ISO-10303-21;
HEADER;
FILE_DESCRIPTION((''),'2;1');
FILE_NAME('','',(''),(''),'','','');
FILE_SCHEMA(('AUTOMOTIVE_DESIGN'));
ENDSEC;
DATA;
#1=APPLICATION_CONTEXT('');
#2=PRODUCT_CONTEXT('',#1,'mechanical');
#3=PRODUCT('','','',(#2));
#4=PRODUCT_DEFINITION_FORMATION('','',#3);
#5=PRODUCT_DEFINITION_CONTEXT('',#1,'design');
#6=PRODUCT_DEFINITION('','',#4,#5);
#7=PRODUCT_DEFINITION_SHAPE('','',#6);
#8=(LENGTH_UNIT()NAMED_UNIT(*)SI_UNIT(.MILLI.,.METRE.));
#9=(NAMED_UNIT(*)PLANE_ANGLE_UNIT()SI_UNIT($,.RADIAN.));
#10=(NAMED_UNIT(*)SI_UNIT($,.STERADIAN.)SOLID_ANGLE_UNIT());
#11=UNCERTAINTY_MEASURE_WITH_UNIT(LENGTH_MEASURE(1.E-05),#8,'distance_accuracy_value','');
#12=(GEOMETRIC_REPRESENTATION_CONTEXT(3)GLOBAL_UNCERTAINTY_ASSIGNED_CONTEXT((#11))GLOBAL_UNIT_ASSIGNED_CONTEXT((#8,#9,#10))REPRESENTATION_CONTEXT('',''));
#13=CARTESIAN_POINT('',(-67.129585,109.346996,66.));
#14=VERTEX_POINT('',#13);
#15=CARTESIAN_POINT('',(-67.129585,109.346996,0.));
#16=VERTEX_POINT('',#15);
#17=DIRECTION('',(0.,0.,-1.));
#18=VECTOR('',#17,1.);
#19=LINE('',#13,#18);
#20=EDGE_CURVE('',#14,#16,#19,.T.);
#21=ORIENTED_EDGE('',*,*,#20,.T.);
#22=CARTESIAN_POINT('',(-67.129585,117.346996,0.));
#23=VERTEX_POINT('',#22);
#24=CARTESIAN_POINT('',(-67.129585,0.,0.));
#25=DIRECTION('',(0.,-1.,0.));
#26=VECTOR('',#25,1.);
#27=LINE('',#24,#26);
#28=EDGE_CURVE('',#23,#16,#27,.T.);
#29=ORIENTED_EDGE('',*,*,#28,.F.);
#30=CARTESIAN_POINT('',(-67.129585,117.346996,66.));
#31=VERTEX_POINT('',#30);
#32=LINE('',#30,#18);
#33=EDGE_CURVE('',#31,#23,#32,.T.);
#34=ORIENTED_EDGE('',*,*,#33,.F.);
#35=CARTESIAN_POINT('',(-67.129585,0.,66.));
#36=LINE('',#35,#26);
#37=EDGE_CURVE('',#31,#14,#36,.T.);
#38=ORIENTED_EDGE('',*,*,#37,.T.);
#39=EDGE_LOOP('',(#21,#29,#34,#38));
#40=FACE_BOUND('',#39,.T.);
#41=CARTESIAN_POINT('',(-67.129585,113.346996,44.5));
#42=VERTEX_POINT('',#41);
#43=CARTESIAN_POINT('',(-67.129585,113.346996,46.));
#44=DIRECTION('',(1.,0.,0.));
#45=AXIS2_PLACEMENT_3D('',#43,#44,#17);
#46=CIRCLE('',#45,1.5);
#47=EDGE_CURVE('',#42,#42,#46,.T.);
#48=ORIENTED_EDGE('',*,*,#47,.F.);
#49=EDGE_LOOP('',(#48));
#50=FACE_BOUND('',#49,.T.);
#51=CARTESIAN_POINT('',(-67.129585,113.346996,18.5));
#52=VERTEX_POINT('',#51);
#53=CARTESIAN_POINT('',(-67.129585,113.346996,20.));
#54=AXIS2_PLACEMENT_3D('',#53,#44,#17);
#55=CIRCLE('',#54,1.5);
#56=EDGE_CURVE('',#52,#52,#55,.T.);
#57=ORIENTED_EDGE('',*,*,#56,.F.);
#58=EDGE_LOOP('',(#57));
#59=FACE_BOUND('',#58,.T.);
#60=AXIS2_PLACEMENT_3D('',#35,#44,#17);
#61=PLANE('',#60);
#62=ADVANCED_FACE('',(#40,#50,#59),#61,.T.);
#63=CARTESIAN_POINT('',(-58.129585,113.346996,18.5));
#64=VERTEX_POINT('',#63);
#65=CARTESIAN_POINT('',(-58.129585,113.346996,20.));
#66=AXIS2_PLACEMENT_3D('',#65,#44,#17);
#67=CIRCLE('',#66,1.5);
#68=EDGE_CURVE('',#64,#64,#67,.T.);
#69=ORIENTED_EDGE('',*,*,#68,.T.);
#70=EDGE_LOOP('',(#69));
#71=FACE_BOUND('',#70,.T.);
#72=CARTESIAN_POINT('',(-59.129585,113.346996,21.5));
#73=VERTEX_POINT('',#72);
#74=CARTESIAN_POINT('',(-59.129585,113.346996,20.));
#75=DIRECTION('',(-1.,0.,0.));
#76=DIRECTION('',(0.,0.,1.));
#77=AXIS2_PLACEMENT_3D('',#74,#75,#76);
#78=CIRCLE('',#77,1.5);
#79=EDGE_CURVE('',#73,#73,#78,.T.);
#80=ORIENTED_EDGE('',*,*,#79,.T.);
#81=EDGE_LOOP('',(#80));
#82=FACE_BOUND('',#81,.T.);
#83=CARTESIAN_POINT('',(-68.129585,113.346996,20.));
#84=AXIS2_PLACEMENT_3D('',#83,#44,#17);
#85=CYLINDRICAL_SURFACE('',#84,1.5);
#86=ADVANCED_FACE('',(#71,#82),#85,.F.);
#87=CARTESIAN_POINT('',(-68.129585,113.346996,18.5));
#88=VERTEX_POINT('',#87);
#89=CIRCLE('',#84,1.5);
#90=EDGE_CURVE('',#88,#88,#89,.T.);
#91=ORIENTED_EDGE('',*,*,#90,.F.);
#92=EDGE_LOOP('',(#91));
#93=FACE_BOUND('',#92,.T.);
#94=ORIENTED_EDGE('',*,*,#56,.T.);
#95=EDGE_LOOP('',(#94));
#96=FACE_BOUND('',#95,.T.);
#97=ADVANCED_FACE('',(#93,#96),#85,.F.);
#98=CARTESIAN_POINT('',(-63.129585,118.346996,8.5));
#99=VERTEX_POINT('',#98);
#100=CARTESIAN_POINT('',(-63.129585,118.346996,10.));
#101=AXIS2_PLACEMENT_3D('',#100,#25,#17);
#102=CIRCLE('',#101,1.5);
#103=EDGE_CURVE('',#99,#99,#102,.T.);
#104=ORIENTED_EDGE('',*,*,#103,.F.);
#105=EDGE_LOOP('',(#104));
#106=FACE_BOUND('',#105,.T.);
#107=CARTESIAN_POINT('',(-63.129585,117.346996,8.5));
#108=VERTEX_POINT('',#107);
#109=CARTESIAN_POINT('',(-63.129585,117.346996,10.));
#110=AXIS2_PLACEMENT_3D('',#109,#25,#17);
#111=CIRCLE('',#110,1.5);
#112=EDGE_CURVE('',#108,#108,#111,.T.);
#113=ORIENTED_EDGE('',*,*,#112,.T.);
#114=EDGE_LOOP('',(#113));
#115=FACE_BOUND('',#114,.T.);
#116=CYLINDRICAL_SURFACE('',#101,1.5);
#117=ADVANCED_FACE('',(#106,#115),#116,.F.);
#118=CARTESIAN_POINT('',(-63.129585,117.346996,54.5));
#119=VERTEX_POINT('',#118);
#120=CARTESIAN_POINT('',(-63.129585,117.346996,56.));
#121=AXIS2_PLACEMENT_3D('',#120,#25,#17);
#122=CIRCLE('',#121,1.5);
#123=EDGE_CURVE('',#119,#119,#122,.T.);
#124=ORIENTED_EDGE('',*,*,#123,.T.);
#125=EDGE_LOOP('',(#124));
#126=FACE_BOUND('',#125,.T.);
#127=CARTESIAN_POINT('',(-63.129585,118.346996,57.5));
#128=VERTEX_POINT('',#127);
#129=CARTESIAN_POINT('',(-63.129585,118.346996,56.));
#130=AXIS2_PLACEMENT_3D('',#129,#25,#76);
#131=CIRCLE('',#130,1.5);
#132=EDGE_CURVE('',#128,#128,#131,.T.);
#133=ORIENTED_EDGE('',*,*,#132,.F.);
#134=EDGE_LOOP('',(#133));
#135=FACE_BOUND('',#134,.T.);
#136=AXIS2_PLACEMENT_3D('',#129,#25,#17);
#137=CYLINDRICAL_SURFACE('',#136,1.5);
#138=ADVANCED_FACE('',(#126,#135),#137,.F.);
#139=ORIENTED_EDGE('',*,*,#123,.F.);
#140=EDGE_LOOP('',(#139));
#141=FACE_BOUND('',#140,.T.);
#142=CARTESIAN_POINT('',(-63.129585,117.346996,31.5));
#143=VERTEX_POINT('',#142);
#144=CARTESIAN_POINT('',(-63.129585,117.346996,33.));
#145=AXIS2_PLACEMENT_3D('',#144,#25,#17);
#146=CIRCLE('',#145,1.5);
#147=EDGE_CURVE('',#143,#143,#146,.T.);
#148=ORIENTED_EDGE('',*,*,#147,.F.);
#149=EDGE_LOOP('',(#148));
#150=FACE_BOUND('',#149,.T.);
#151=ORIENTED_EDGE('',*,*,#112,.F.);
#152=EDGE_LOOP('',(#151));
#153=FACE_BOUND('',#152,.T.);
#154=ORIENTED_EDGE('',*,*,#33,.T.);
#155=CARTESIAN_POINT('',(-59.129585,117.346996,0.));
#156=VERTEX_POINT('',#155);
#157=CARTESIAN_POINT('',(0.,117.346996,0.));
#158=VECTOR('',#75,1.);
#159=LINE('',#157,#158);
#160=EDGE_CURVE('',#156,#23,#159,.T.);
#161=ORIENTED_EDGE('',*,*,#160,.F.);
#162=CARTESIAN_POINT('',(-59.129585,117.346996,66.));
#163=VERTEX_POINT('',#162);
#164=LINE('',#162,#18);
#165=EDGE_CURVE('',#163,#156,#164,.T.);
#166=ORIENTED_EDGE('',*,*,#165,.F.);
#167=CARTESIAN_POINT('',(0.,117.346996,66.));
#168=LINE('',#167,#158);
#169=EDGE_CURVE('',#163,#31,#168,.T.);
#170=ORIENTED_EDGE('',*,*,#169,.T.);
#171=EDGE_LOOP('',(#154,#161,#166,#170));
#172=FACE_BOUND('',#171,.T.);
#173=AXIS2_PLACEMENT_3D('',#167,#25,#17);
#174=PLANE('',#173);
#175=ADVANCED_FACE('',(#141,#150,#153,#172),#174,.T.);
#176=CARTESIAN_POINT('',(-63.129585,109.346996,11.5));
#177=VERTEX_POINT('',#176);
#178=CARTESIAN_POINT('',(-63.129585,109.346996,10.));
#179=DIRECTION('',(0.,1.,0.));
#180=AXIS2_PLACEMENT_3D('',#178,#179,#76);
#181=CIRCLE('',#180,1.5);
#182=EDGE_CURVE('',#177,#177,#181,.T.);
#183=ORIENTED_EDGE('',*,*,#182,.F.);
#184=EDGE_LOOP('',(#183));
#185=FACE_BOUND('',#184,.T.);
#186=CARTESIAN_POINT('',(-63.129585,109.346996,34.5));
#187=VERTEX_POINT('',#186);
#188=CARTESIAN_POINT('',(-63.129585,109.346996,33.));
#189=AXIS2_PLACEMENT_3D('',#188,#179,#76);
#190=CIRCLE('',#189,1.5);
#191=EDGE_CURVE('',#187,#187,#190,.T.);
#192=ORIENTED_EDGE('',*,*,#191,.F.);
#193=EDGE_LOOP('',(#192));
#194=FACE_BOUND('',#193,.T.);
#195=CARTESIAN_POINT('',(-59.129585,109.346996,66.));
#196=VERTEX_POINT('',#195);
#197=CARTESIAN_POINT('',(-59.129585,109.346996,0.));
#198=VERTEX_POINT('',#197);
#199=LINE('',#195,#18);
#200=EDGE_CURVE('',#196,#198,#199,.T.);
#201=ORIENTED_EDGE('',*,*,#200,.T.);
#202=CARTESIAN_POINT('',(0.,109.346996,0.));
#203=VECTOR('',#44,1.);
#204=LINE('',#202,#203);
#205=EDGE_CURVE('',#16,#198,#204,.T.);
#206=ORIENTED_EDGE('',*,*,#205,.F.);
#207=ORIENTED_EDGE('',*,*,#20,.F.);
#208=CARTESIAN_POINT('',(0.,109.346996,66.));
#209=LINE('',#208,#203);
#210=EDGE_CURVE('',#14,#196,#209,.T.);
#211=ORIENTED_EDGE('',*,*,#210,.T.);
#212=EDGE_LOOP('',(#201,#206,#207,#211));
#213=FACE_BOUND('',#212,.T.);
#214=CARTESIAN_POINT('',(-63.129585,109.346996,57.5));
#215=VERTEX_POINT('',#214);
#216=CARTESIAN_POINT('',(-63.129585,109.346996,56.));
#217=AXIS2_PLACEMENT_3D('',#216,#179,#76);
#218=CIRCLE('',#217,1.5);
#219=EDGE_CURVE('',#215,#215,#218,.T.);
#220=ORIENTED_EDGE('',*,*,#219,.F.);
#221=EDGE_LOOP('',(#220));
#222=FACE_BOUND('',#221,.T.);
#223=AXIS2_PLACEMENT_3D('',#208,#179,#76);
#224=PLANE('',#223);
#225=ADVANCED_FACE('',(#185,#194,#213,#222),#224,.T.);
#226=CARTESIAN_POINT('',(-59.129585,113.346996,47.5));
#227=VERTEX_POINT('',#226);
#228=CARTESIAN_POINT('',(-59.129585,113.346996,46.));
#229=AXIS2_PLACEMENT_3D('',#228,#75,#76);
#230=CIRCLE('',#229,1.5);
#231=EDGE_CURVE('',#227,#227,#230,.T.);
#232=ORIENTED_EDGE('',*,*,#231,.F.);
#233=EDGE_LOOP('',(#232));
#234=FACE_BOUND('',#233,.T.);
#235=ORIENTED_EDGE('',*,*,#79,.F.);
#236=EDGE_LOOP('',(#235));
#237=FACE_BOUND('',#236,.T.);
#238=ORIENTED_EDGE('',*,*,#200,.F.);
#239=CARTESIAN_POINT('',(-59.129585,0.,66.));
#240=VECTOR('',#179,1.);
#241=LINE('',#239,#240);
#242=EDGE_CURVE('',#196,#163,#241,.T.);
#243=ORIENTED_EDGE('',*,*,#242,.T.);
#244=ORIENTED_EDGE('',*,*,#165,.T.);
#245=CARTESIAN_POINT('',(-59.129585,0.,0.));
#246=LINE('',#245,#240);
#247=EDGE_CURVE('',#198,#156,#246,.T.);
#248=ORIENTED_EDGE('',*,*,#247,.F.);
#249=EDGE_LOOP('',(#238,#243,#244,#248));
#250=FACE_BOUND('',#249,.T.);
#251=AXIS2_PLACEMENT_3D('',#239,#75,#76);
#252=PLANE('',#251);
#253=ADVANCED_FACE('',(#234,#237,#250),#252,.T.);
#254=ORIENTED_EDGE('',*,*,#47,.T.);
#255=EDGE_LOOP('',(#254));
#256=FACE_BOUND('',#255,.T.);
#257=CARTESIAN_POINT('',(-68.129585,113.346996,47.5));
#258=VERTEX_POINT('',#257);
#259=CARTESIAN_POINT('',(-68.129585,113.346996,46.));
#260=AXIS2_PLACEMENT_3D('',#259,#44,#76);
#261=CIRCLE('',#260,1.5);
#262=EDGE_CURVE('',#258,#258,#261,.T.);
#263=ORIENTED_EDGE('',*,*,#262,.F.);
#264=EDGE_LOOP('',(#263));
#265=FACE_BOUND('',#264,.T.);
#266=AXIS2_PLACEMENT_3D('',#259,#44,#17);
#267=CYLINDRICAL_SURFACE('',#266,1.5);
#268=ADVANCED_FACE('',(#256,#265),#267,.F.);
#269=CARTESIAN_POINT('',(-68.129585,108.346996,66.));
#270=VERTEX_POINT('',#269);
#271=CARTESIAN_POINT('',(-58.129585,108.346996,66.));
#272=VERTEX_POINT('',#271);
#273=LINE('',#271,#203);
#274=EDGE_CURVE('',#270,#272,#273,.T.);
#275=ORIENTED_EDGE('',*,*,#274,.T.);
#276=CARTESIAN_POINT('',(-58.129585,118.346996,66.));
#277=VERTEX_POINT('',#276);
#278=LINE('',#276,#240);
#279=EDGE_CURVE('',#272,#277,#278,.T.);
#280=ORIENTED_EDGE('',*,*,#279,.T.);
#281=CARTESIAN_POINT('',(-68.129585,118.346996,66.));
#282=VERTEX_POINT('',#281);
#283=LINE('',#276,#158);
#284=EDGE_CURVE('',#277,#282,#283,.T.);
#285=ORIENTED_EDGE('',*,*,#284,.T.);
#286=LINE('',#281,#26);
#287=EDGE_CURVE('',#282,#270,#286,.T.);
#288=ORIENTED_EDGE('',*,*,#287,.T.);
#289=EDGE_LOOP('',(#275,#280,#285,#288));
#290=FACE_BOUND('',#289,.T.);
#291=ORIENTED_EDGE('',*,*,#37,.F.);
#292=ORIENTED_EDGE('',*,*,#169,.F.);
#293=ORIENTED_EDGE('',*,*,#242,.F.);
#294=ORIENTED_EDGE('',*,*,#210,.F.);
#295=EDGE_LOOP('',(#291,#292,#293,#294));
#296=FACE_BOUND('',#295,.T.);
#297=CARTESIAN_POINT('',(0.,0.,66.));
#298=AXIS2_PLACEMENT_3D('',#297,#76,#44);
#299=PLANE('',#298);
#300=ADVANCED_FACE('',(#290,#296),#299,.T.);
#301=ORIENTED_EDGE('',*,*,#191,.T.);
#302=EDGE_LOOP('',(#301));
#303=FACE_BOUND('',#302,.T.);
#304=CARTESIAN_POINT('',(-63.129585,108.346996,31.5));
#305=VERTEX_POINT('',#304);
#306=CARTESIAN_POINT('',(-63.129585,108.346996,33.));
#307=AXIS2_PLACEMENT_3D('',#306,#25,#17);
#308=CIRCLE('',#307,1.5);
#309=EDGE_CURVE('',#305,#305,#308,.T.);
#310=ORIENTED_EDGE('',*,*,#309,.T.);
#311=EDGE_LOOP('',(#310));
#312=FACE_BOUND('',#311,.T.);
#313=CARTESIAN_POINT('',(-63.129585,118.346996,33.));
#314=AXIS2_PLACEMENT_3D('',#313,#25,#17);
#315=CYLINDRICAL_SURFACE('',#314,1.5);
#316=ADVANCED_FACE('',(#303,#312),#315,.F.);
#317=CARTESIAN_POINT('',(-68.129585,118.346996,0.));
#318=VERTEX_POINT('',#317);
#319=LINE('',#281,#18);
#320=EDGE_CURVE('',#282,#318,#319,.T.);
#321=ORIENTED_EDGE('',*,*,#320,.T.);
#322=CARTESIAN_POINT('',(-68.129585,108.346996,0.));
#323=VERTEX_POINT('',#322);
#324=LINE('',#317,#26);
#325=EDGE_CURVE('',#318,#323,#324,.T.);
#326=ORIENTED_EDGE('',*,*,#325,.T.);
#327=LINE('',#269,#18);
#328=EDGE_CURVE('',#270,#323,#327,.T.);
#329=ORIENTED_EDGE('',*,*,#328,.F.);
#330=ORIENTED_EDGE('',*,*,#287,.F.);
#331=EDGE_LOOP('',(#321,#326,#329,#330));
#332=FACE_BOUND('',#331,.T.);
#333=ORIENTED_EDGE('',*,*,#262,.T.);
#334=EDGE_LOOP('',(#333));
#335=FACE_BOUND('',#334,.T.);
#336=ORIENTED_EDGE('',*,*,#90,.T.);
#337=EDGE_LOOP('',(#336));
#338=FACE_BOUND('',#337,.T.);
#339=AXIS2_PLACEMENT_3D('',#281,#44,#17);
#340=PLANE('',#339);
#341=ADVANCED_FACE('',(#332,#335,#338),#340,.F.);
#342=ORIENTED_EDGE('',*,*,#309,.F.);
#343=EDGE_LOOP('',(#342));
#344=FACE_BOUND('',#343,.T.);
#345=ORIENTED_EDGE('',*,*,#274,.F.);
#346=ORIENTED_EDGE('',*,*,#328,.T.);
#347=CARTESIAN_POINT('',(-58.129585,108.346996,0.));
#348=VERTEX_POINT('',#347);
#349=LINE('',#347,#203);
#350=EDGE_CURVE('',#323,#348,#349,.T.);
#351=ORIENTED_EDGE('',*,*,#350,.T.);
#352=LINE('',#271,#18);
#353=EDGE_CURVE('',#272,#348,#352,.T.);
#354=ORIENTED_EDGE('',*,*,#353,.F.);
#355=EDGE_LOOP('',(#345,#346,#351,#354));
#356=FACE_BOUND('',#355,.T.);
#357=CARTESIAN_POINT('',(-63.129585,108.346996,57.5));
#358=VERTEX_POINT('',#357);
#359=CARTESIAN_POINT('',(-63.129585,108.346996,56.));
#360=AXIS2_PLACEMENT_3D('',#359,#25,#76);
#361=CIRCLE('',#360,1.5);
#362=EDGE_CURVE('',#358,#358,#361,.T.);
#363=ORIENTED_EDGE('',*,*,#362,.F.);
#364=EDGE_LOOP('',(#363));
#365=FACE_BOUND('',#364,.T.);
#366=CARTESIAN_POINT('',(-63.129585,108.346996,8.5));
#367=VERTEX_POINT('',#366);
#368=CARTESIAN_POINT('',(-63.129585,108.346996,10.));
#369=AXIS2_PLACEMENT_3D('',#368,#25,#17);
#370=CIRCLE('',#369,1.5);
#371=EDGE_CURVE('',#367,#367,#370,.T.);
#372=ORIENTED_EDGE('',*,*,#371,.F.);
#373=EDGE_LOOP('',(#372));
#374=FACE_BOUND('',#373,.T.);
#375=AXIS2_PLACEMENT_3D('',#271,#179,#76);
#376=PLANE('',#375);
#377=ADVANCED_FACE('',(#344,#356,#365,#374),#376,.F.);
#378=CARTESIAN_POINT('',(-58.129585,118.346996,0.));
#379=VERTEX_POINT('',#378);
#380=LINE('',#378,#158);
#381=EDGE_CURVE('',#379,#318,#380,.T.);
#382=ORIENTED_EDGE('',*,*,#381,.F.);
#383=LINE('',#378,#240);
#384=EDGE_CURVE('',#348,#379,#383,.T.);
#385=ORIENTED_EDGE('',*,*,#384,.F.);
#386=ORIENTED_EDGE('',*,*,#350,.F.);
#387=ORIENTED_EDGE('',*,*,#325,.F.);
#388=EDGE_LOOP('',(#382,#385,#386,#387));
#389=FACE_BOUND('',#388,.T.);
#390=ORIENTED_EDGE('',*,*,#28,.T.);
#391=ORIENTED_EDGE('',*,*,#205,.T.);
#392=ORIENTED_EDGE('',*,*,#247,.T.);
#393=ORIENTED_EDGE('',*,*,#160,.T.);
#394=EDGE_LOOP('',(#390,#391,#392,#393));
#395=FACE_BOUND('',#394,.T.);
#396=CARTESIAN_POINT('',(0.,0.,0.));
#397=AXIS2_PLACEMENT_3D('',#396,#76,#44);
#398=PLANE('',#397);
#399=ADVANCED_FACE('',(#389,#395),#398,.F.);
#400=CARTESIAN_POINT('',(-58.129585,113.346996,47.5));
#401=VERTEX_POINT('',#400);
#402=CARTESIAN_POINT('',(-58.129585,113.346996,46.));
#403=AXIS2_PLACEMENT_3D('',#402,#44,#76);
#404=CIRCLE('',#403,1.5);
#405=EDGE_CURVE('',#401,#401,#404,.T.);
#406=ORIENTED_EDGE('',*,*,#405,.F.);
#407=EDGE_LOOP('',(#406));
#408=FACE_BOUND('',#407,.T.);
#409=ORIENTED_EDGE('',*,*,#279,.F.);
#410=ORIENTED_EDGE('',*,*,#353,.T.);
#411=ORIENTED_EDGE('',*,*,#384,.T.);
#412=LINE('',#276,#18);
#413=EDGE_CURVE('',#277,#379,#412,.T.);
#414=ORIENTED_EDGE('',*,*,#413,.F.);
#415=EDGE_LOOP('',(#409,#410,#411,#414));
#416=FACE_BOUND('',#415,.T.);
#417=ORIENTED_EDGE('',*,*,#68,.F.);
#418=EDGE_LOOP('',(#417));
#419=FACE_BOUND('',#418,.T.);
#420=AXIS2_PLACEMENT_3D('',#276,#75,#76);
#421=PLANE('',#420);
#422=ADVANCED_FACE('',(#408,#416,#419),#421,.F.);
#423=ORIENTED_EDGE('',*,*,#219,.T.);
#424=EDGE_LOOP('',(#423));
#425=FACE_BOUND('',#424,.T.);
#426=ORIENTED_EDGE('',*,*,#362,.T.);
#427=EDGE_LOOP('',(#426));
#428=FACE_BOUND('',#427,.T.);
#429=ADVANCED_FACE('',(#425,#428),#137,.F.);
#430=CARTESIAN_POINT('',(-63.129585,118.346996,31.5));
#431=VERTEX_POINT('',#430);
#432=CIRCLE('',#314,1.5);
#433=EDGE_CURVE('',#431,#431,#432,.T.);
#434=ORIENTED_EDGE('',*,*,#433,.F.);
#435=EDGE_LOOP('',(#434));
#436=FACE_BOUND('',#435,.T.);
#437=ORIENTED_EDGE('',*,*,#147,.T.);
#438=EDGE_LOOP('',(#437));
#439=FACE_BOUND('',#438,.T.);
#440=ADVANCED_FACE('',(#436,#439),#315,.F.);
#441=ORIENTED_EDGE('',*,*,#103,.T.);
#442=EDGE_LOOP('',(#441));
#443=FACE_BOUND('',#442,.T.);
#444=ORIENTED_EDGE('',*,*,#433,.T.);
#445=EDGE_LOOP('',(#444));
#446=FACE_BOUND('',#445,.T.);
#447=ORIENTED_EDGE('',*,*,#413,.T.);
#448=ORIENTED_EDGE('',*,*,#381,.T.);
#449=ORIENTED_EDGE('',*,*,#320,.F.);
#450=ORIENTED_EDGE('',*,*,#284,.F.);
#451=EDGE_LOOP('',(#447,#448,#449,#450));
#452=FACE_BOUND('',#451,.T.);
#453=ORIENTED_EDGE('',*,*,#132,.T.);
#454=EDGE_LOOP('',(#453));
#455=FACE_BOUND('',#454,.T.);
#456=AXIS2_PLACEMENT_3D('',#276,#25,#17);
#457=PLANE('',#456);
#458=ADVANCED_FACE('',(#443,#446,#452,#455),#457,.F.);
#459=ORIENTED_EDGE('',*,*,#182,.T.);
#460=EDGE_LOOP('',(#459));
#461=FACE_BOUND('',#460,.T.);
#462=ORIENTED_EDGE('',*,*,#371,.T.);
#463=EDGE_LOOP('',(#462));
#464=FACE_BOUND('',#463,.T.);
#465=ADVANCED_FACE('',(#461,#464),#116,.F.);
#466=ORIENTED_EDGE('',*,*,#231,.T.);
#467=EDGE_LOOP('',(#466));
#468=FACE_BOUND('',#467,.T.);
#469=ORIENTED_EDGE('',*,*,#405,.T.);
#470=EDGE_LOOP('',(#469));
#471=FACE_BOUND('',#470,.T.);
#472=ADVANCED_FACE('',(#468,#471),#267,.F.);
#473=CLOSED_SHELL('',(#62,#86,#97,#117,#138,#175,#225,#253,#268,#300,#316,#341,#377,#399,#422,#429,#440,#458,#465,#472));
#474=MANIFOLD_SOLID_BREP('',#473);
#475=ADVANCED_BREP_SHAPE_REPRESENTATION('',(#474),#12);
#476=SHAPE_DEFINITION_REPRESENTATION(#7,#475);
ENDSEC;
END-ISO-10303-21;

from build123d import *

# Parameters (mm, degrees)
SKETCH_1_W          = 10
SKETCH_1_H          = 10
SKETCH_1_W_2        = 8
SKETCH_1_H_2        = 8
EXTRUDE_1_DEPTH     = 66
SKETCH_2_R          = 1.5
CUT_EXTRUDE_1_DEPTH = 11
SKETCH_3_R          = 1.5
CUT_EXTRUDE_2_DEPTH = 11


with BuildPart() as part:
    # 草图1 → 拉伸-薄壁1 (new body)
    with BuildSketch(Plane.XY):
        with Locations((-63.129584871, 113.346996024)):
            Rectangle(SKETCH_1_W, SKETCH_1_H)
        with Locations((-63.129584871, 113.346996024)):
            Rectangle(SKETCH_1_W_2, SKETCH_1_H_2, mode=Mode.SUBTRACT)
    extrude(amount=EXTRUDE_1_DEPTH)

    # 草图2 → 切除-拉伸1 (cut, through all)
    with BuildSketch(Plane(origin=(-58.129584871, 0, 0), x_dir=(0, 0, -1), z_dir=(1, 0, 0))):
        with Locations((-20, 113.346996024)):
            Circle(SKETCH_2_R)
        with Locations((-46, 113.346996024)):
            Circle(SKETCH_2_R)
    extrude(amount=-CUT_EXTRUDE_1_DEPTH, mode=Mode.SUBTRACT)

    # 草图3 → 切除-拉伸2 (cut, through all)
    with BuildSketch(Plane.XZ.offset(-108.346996024)):
        with Locations((-63.129584871, 10)):
            Circle(SKETCH_3_R)
        with Locations((-63.129584871, 56)):
            Circle(SKETCH_3_R)
        with Locations((-63.129584871, 33)):
            Circle(SKETCH_3_R)
    extrude(amount=-CUT_EXTRUDE_2_DEPTH, mode=Mode.SUBTRACT)


solid = part.part
